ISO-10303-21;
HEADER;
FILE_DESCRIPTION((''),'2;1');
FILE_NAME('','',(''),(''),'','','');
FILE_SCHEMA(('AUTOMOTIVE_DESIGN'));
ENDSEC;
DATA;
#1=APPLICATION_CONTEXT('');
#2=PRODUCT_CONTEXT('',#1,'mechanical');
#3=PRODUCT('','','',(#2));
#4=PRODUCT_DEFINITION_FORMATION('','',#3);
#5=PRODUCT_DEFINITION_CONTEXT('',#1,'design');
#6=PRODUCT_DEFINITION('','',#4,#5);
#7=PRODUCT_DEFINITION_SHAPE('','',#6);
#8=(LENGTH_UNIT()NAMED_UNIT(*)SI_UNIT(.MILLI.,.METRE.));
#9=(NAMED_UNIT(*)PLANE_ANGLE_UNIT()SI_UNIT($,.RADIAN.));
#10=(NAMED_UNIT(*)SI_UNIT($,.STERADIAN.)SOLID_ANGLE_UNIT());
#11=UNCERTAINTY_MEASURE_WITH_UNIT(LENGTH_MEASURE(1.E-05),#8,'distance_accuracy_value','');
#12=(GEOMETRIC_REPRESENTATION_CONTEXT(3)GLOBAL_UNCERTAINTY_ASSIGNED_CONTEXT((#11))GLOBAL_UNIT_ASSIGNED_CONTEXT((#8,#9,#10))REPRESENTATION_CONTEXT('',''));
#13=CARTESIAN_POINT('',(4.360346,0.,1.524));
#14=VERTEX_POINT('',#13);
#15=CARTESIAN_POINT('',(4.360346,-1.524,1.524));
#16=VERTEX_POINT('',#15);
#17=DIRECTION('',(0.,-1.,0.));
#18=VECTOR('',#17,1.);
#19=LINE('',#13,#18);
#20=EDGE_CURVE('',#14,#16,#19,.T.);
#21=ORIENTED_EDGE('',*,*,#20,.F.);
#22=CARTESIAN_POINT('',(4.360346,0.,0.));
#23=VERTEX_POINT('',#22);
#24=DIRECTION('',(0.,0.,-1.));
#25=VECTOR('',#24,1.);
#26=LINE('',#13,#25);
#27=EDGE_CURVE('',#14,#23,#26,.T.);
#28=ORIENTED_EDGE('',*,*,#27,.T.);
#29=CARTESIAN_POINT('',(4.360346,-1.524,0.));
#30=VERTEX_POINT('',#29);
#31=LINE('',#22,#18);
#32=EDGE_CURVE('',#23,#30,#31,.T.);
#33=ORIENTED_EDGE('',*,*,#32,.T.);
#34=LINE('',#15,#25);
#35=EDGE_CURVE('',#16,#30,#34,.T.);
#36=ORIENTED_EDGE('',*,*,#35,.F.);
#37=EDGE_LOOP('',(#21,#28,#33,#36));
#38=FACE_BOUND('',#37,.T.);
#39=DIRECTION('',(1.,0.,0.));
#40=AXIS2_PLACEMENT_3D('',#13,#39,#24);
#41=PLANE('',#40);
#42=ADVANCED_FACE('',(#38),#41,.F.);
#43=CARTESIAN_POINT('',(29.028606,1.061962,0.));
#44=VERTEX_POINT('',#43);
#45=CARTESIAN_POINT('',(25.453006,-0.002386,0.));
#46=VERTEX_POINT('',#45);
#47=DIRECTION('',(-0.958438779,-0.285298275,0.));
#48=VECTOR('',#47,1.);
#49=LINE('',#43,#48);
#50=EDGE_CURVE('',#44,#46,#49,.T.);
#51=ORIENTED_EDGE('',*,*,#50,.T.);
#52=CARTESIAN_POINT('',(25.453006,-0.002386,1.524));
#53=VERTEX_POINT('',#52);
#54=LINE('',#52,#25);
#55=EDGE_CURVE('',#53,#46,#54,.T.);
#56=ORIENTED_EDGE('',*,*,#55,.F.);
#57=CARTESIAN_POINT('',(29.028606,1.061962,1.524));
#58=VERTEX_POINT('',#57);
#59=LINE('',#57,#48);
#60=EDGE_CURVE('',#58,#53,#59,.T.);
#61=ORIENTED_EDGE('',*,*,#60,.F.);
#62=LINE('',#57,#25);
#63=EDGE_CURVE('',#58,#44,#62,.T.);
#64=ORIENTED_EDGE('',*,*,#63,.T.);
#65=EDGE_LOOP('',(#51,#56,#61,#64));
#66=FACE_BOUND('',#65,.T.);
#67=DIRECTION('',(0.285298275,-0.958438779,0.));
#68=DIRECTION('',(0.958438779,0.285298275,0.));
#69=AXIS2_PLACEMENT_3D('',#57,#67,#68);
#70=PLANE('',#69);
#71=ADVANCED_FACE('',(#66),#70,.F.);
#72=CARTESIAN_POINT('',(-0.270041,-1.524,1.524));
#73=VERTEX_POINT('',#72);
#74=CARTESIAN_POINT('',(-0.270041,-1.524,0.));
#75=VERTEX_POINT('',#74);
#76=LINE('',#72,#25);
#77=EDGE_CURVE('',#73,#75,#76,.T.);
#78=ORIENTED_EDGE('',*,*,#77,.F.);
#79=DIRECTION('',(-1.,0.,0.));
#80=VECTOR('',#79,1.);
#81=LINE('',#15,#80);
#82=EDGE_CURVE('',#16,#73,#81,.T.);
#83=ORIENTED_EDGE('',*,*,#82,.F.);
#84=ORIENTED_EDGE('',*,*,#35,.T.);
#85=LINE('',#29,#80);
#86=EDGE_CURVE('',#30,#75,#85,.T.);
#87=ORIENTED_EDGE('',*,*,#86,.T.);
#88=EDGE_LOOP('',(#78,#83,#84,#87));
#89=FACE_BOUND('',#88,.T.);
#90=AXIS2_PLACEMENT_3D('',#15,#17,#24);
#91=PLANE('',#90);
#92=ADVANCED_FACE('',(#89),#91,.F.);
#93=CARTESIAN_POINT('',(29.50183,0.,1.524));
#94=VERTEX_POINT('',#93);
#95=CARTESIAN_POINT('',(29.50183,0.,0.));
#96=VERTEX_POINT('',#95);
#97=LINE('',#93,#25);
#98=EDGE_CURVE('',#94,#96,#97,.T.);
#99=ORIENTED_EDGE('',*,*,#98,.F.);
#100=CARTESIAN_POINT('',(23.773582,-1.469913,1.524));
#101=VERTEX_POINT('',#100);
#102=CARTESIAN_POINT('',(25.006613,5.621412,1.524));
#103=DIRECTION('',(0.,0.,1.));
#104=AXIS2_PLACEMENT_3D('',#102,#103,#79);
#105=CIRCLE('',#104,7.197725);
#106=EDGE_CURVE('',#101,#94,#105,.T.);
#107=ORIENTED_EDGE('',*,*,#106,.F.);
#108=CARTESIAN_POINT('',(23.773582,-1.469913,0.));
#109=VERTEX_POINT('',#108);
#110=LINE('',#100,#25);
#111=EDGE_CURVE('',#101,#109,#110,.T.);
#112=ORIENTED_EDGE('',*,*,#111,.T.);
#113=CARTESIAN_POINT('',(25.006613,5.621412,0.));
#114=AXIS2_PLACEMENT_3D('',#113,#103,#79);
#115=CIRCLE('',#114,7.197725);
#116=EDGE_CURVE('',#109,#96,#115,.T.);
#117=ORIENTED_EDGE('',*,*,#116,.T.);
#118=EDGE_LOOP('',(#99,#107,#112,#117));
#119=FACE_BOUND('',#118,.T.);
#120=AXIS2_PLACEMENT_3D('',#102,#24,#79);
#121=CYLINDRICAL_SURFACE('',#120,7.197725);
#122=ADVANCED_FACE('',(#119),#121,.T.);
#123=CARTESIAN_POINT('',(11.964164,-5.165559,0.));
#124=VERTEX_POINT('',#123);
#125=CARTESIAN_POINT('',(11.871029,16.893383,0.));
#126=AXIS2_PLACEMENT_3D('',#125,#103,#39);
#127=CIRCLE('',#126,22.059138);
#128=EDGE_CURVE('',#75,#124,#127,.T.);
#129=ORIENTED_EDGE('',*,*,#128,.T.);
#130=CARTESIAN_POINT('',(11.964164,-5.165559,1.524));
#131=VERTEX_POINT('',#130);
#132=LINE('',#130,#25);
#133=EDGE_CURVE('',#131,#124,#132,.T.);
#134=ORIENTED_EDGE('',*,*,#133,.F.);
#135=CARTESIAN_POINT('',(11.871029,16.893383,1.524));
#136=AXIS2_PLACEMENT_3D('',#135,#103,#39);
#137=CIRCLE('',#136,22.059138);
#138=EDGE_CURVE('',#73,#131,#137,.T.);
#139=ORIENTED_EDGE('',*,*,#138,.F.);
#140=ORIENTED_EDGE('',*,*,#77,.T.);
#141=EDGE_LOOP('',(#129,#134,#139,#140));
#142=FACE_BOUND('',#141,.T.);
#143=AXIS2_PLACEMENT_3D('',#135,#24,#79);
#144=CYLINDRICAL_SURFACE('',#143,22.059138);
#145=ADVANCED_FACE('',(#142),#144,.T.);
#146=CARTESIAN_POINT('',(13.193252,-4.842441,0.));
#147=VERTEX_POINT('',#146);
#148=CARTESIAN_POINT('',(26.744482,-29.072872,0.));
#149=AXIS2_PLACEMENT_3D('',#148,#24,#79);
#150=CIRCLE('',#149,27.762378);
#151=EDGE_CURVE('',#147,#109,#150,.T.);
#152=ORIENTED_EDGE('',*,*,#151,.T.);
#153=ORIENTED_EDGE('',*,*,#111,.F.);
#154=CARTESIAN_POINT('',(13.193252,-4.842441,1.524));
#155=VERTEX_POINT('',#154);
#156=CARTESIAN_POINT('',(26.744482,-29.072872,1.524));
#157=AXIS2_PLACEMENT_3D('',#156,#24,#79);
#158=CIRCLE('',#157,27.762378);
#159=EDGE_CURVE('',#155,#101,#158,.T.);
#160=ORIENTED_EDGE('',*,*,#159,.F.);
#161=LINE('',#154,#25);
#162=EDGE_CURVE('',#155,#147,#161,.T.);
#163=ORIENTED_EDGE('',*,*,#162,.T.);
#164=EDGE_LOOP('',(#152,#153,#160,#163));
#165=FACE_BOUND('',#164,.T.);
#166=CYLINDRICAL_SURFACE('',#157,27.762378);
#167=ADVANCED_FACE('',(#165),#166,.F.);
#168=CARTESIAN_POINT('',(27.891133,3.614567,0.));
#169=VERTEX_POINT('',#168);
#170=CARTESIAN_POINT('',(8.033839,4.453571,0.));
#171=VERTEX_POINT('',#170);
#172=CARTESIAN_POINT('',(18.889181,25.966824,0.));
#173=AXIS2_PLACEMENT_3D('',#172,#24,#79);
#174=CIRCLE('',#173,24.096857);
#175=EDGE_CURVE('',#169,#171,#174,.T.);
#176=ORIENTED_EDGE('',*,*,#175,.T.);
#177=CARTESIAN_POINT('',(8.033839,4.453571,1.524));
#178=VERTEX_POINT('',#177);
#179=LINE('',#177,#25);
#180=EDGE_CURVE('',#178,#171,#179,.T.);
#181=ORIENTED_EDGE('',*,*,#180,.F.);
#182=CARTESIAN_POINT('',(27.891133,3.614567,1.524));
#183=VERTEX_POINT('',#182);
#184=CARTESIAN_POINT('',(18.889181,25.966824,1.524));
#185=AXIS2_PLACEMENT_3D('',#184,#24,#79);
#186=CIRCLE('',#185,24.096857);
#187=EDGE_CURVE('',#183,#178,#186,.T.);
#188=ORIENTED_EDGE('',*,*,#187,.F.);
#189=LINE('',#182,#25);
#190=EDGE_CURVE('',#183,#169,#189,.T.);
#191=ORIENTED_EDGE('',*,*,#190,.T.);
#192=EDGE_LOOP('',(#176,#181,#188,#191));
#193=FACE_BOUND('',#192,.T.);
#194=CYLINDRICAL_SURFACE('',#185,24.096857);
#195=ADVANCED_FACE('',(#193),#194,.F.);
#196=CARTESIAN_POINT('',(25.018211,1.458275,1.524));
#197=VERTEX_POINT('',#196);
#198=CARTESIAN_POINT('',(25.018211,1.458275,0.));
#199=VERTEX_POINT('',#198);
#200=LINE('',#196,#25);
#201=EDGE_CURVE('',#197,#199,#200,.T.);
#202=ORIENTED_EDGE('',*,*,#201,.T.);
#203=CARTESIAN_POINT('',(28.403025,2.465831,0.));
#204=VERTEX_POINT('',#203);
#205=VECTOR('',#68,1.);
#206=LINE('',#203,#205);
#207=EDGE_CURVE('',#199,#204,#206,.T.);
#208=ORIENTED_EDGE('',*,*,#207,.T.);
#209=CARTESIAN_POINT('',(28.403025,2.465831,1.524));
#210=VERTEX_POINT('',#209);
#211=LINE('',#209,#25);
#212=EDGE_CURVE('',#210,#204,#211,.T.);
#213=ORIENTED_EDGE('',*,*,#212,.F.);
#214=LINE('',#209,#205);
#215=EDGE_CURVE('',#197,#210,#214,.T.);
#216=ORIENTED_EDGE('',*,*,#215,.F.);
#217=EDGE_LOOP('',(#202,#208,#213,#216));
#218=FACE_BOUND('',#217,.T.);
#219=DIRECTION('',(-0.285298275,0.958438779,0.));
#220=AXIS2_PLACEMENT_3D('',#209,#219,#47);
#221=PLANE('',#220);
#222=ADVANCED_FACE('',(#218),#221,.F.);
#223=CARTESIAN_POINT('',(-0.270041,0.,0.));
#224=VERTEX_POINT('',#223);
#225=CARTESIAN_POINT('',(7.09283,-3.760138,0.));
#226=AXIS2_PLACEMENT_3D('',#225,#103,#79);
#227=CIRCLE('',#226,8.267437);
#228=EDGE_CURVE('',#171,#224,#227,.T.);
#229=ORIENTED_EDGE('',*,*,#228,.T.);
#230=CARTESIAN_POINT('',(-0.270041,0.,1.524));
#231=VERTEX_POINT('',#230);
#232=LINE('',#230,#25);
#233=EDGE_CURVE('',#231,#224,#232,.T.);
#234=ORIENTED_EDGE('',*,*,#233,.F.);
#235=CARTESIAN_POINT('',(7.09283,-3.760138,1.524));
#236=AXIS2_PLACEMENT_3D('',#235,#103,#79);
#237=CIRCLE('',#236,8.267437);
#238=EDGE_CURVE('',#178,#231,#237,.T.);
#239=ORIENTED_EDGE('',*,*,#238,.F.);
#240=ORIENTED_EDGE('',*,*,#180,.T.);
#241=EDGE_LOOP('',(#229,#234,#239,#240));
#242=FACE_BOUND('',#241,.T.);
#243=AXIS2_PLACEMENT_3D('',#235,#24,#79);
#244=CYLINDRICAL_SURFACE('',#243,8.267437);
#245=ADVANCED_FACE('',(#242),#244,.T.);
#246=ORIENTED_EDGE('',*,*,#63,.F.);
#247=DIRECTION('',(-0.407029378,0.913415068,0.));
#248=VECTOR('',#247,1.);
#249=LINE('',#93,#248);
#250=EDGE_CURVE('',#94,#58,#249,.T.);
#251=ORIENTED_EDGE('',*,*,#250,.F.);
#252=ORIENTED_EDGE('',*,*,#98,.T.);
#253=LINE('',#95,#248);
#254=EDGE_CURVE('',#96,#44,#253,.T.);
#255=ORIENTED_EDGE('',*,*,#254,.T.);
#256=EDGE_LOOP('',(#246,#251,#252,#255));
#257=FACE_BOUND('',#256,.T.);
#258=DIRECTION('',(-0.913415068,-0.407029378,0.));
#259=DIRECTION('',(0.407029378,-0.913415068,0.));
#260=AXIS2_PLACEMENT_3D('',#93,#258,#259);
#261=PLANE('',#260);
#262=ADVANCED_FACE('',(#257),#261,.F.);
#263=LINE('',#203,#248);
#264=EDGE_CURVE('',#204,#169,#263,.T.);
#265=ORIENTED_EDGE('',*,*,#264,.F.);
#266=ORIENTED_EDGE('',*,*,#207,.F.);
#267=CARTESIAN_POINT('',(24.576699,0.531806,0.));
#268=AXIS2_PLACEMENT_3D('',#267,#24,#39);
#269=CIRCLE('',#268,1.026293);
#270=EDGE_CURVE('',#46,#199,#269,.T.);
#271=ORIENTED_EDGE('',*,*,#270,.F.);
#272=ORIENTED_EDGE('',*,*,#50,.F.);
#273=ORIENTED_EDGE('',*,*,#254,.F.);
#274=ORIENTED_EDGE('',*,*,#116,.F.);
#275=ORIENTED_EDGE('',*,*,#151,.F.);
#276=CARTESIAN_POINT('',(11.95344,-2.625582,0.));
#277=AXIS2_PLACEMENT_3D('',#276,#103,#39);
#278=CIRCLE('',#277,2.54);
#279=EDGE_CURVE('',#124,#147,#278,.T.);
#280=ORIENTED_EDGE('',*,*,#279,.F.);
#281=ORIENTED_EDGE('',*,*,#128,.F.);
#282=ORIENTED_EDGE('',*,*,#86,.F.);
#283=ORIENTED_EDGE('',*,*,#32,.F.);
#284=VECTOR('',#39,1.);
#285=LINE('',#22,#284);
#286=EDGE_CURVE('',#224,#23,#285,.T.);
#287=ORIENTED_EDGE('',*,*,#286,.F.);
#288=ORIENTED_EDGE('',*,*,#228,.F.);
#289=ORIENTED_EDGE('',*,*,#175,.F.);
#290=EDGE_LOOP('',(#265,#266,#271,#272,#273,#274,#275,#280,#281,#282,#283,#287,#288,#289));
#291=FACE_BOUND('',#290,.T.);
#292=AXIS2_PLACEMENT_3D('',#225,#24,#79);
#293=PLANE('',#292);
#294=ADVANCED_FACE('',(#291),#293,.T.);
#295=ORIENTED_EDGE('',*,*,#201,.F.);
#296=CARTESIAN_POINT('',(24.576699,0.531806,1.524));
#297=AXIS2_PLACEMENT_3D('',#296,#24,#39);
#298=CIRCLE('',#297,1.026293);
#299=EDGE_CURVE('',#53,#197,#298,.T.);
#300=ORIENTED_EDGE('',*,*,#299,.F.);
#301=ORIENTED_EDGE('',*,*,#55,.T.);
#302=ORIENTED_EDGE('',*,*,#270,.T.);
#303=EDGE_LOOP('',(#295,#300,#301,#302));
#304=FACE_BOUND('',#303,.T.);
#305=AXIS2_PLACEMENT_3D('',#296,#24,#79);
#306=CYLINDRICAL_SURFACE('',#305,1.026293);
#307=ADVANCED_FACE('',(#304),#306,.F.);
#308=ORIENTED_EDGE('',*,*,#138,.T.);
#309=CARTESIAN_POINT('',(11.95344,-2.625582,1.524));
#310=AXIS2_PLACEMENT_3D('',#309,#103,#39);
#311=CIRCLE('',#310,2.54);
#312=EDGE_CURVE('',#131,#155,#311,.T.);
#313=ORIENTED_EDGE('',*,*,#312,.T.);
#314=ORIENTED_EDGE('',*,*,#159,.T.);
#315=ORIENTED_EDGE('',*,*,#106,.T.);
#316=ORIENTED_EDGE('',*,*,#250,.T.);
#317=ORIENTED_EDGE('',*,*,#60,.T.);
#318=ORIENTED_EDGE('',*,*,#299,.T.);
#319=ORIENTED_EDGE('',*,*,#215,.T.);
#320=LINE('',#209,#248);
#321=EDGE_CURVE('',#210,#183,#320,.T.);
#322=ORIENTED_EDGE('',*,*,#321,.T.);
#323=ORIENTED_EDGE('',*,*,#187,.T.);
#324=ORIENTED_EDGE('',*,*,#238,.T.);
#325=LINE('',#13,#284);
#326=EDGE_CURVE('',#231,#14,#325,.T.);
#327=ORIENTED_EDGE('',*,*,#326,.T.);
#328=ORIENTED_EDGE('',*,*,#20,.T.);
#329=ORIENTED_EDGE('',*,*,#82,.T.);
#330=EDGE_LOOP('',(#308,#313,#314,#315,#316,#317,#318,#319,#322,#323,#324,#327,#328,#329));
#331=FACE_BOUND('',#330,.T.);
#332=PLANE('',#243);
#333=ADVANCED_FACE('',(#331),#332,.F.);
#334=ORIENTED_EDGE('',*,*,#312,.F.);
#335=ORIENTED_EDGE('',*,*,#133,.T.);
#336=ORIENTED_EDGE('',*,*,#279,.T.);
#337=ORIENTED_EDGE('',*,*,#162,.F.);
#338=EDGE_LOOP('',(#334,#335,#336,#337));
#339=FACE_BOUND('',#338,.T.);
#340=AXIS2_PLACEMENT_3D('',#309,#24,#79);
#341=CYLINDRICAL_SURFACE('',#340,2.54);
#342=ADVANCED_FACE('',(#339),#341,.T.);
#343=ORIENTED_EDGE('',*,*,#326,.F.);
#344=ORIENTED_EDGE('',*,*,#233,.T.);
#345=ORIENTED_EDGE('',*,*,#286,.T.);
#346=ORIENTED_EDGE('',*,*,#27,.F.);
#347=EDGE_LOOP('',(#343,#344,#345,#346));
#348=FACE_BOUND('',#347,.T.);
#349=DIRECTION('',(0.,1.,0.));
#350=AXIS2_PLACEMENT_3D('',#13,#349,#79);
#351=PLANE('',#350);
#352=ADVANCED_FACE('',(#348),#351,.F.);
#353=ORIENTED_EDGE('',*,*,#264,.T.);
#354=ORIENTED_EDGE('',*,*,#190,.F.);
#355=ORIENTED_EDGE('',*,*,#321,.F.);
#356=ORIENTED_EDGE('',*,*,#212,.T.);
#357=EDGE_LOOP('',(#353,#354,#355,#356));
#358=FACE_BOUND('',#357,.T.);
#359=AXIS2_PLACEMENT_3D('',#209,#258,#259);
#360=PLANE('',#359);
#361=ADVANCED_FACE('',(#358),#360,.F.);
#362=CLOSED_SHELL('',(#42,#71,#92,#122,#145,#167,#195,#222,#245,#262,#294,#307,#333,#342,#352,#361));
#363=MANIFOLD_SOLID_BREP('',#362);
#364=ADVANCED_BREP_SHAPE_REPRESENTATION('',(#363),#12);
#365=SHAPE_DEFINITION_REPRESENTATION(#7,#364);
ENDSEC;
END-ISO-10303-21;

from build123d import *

# Parameters (mm, degrees)
BOSS_EXTRUDE1_DEPTH = 1.524


with BuildPart() as part:
    # Sketch1 → Boss-Extrude1 (new body)
    with BuildSketch(Plane.XY):
        with BuildLine():
            Line((4.36034561, 0), (4.36034561, -1.524))
            Line((4.36034561, -1.524), (-0.270041396, -1.524))
            ThreePointArc((-0.270041396, -1.524), (5.57790397, -4.249042789), (11.964164328, -5.165558929))
            ThreePointArc((11.964164328, -5.165558929), (12.599243088, -5.082111381), (13.193252116, -4.842441192))
            ThreePointArc((13.193252116, -4.842441192), (18.3130715, -2.621767508), (23.773581772, -1.469912607))
            ThreePointArc((23.773581772, -1.469912607), (26.795642109, -1.350433231), (29.50183022, 0))
            Line((29.50183022, 0), (29.028606423, 1.061962035))
            Line((29.028606423, 1.061962035), (25.453006053, -0.002386196))
            ThreePointArc((25.453006053, -0.002386196), (23.593059825, 0.239006946), (25.018211481, 1.458274504))
            Line((25.018211481, 1.458274504), (28.403024501, 2.465831103))
            Line((28.403024501, 2.465831103), (27.891133112, 3.614567125))
            ThreePointArc((27.891133112, 3.614567125), (17.871956928, 1.891446971), (8.033839359, 4.453570535))
            ThreePointArc((8.033839359, 4.453570535), (3.185317895, 3.52559175), (-0.270041396, 0))
            Line((-0.270041396, 0), (4.36034561, 0))
        make_face()
    extrude(amount=BOSS_EXTRUDE1_DEPTH)


solid = part.part
